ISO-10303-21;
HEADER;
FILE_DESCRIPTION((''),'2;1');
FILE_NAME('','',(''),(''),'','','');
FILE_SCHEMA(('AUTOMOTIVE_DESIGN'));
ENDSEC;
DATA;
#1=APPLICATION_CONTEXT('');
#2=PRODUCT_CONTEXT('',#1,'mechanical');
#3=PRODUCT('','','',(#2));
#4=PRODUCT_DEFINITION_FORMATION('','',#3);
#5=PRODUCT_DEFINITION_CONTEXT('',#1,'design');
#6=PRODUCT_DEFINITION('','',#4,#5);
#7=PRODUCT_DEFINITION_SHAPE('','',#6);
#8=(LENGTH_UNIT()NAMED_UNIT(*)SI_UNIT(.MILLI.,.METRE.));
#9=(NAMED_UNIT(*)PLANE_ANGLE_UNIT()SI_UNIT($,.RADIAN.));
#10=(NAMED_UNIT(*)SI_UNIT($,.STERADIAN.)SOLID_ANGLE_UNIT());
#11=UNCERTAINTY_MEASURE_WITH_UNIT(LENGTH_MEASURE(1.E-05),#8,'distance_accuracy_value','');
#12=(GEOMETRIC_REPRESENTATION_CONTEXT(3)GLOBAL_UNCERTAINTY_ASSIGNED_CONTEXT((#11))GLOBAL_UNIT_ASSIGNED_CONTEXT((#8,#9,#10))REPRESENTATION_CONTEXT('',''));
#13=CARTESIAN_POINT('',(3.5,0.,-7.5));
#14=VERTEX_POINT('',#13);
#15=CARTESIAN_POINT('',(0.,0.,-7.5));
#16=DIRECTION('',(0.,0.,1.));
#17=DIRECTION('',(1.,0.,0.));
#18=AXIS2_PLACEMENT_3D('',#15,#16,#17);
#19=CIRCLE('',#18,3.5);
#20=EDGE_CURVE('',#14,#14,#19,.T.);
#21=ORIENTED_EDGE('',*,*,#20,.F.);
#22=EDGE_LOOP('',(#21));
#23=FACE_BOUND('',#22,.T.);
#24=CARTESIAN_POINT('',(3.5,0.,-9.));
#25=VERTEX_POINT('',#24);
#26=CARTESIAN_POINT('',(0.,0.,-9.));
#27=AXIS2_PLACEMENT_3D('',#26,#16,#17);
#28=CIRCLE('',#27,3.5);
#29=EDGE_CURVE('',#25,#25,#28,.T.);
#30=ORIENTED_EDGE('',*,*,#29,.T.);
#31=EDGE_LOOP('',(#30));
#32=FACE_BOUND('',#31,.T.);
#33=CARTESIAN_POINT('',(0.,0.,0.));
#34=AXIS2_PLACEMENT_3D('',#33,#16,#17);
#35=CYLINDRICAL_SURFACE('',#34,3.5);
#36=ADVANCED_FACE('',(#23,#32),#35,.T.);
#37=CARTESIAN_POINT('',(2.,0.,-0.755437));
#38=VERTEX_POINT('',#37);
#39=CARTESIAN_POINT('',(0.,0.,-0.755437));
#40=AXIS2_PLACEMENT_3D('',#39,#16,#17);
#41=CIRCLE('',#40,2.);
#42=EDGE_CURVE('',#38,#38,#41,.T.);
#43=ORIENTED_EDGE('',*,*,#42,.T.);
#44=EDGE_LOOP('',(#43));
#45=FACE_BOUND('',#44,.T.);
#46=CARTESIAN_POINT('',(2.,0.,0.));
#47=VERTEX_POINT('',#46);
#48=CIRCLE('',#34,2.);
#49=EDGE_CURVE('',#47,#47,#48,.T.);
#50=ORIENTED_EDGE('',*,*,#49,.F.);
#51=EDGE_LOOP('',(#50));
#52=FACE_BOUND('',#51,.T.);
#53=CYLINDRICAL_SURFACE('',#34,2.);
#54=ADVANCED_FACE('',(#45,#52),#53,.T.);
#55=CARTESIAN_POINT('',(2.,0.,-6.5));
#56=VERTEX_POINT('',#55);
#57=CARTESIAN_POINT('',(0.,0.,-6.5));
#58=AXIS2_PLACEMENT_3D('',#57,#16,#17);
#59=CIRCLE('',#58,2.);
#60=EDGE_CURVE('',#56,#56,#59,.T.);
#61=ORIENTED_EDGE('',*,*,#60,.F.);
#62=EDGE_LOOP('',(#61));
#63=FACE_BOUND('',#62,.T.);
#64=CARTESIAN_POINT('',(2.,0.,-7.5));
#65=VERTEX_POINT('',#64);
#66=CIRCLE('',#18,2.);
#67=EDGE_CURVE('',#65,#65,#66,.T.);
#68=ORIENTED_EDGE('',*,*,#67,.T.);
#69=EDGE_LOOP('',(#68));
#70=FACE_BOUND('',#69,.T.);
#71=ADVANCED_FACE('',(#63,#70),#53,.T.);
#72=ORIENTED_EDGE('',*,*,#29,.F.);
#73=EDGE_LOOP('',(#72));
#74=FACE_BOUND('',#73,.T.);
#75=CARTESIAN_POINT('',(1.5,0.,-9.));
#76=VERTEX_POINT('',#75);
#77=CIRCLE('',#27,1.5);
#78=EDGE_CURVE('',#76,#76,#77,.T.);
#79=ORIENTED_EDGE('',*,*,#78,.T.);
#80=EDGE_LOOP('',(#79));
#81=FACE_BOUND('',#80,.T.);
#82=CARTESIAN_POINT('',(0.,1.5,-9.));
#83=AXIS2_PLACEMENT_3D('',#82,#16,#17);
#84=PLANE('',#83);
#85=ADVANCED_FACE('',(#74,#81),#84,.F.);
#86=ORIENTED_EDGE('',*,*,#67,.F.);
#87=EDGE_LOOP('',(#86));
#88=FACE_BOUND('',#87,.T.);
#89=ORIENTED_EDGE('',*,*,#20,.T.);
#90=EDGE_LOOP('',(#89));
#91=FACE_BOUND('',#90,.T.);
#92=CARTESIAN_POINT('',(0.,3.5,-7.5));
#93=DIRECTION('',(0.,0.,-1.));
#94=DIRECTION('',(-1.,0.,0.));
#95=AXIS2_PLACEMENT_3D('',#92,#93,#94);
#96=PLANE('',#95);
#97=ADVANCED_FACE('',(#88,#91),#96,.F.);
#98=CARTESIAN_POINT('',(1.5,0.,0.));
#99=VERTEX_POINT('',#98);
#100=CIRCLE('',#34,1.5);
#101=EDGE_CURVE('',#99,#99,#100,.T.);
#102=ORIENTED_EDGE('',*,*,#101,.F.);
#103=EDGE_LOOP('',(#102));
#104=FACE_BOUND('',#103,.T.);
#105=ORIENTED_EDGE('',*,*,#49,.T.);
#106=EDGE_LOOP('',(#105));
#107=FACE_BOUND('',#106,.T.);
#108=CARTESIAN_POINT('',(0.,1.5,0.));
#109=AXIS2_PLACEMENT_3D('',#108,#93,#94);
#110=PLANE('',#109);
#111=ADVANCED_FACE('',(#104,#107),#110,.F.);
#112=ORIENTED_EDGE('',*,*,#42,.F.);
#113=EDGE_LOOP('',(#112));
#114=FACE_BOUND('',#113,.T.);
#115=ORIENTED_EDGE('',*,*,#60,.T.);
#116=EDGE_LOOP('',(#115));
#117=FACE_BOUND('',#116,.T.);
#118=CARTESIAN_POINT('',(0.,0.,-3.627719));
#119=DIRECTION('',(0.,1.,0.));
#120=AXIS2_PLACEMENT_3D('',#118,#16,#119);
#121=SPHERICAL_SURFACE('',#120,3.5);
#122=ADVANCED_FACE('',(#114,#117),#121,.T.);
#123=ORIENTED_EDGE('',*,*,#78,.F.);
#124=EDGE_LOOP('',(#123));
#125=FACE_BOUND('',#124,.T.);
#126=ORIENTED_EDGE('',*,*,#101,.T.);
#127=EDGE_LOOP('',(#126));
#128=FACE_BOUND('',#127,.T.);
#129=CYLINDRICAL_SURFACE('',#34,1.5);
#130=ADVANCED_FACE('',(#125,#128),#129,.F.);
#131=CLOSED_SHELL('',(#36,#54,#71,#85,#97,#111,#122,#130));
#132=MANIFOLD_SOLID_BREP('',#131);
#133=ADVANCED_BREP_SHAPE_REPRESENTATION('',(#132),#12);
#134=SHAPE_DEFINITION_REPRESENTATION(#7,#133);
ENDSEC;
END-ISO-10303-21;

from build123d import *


with BuildPart() as part:
    # Sketch1 → Revolve1 (revolve)
    with BuildSketch(Plane(origin=(0, 0, 0), x_dir=(0, 0, -1), z_dir=(1, 0, 0))):
        with BuildLine():
            Line((0, 1.5), (9, 1.5))
            Line((9, 1.5), (9, 3.5))
            Line((9, 3.5), (7.5, 3.5))
            Line((7.5, 3.5), (7.5, 2))
            Line((7.5, 2), (6.5, 2))
            ThreePointArc((6.5, 2), (3.627718677, 3.5), (0.755437353, 2))
            Line((0.755437353, 2), (0, 2))
            Line((0, 2), (0, 1.5))
        make_face()
    revolve(axis=Axis((0, 0, 0), (0, 0, -1)))


solid = part.part
